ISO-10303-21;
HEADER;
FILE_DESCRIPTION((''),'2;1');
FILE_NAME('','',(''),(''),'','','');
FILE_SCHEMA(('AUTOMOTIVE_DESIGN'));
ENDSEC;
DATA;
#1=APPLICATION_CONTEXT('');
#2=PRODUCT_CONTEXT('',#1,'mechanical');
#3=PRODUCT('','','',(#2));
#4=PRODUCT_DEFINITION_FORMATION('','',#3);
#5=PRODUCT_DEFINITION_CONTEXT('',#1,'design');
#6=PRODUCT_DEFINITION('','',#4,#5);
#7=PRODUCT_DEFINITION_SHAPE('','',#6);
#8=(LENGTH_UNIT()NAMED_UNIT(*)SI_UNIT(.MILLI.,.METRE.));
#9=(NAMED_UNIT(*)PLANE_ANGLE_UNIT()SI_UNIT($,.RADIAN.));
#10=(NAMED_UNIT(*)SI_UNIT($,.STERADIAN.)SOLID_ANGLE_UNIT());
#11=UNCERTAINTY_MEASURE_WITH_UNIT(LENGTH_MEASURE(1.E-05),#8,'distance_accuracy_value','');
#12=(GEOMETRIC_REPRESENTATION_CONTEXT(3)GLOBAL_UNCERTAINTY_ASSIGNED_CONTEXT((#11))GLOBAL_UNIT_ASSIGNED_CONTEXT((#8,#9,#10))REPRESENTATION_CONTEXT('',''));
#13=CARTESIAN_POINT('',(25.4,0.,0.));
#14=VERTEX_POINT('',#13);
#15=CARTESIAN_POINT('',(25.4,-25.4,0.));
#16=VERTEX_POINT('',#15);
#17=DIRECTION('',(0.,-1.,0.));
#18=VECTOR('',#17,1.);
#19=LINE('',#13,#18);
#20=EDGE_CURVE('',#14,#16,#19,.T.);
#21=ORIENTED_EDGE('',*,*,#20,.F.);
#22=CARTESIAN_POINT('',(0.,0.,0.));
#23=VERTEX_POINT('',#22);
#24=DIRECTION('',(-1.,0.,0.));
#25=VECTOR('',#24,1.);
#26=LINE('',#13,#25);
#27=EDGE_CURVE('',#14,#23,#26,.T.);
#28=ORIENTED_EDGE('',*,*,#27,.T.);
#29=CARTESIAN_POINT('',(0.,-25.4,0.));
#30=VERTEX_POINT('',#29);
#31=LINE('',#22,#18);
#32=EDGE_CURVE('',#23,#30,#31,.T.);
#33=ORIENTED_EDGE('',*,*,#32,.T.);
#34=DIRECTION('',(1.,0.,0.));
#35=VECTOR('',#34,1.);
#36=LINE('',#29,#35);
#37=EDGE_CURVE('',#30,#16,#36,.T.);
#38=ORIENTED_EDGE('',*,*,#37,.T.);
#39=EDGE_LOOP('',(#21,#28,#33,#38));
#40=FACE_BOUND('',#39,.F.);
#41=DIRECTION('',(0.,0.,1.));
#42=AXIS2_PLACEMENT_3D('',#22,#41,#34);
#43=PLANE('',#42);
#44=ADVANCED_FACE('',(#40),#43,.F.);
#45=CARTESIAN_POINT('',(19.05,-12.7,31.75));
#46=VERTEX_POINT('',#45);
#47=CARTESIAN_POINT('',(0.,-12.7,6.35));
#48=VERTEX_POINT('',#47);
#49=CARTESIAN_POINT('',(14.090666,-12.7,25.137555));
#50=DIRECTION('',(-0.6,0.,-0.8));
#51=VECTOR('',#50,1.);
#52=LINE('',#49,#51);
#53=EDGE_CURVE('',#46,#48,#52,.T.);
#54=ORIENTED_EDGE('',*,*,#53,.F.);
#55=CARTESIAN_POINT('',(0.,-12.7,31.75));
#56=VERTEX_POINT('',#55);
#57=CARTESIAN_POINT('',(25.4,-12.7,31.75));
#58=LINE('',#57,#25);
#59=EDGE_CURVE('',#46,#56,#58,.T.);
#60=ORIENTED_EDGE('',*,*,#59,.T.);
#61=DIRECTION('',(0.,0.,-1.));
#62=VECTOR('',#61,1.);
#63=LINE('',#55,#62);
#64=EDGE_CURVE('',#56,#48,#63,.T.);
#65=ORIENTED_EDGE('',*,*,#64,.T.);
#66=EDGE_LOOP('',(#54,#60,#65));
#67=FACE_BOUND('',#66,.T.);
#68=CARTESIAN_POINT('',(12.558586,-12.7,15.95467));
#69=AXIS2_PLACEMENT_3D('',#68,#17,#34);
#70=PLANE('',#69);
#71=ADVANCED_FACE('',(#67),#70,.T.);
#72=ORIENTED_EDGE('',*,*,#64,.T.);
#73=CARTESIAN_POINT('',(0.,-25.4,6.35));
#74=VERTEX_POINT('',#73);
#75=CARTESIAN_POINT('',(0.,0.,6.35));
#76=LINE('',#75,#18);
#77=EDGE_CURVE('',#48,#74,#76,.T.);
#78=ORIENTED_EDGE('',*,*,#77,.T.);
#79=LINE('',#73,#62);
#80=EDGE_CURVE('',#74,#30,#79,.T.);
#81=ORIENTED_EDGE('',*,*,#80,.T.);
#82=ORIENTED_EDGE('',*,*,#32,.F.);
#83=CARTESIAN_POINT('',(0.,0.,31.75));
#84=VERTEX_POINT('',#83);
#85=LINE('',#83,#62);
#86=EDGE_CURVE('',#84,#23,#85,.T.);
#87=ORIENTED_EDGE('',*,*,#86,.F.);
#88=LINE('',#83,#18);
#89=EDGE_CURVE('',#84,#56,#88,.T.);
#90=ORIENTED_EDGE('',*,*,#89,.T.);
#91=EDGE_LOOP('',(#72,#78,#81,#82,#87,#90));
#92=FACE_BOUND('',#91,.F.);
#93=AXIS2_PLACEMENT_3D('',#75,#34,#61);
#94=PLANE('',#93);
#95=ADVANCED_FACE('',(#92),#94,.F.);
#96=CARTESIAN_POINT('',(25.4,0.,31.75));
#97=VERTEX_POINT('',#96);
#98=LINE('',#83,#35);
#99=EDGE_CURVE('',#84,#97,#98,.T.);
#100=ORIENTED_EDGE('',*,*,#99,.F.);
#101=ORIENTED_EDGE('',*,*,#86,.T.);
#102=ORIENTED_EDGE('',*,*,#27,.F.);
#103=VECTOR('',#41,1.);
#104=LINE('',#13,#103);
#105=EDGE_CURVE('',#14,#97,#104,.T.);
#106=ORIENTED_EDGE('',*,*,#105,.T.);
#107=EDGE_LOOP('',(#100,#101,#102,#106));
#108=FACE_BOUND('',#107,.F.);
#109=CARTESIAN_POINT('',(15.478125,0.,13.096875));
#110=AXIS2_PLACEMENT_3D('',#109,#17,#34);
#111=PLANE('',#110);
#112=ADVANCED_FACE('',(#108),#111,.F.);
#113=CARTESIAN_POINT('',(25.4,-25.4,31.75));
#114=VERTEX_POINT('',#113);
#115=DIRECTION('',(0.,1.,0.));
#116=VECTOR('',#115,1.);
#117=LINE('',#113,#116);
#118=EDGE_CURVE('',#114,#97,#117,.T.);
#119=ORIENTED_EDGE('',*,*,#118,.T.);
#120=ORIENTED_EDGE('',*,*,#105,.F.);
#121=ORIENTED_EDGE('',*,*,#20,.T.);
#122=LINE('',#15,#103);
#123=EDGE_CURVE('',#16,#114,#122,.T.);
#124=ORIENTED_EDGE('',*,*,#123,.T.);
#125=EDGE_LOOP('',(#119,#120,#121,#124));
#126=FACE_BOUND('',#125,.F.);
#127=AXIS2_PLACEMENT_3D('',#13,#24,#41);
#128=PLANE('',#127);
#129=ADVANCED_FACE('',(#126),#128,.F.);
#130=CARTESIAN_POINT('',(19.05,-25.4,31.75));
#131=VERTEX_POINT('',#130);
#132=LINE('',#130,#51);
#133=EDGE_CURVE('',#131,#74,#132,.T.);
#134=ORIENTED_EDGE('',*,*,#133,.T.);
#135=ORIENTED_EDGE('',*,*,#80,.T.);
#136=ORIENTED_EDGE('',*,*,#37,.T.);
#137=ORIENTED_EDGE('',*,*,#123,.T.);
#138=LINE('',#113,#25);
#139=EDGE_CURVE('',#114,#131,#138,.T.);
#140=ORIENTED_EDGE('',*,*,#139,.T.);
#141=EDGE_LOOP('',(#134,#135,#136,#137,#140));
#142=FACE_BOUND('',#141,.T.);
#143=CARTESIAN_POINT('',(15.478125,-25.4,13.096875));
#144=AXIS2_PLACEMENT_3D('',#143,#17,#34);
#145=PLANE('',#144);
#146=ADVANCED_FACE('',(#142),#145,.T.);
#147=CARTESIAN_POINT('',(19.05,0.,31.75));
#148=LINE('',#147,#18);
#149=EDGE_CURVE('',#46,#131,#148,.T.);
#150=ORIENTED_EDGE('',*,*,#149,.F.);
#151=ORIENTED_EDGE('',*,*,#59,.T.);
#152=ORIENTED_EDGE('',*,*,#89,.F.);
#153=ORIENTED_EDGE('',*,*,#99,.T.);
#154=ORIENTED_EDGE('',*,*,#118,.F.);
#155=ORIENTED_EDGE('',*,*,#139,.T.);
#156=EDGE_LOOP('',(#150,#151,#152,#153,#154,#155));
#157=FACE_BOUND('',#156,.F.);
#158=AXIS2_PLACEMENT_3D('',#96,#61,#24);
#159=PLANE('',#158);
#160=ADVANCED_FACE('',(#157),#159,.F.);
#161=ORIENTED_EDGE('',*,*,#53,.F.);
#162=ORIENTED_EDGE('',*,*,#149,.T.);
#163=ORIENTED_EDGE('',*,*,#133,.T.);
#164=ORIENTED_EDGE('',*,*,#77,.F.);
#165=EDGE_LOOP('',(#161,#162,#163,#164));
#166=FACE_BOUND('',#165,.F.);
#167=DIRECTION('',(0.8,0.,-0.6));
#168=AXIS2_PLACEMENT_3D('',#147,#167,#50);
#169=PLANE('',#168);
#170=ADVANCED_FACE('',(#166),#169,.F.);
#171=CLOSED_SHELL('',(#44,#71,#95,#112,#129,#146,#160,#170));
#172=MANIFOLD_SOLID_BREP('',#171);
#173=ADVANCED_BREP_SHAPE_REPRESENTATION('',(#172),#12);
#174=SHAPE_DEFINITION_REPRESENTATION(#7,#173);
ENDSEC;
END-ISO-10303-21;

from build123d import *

# Parameters (mm, degrees)
F1_DEPTH = 25.4
F3_DEPTH = 12.7


with BuildPart() as f1:
    # F0 (on Front) → F1 (new body)
    with BuildSketch(Plane.XZ):
        Polygon((0, 6.35), (0, 0), (25.4, 0), (25.4, 31.75), (19.05, 31.75), align=None)
    extrude(amount=F1_DEPTH)

    # F2 (on Front) → F3 (join)
    with BuildSketch(Plane.XZ):
        Polygon((24.829213, 0), (25.4, 31.75), (0, 31.75), (0, 0), align=None)
    extrude(amount=F3_DEPTH)


solid = f1.part
